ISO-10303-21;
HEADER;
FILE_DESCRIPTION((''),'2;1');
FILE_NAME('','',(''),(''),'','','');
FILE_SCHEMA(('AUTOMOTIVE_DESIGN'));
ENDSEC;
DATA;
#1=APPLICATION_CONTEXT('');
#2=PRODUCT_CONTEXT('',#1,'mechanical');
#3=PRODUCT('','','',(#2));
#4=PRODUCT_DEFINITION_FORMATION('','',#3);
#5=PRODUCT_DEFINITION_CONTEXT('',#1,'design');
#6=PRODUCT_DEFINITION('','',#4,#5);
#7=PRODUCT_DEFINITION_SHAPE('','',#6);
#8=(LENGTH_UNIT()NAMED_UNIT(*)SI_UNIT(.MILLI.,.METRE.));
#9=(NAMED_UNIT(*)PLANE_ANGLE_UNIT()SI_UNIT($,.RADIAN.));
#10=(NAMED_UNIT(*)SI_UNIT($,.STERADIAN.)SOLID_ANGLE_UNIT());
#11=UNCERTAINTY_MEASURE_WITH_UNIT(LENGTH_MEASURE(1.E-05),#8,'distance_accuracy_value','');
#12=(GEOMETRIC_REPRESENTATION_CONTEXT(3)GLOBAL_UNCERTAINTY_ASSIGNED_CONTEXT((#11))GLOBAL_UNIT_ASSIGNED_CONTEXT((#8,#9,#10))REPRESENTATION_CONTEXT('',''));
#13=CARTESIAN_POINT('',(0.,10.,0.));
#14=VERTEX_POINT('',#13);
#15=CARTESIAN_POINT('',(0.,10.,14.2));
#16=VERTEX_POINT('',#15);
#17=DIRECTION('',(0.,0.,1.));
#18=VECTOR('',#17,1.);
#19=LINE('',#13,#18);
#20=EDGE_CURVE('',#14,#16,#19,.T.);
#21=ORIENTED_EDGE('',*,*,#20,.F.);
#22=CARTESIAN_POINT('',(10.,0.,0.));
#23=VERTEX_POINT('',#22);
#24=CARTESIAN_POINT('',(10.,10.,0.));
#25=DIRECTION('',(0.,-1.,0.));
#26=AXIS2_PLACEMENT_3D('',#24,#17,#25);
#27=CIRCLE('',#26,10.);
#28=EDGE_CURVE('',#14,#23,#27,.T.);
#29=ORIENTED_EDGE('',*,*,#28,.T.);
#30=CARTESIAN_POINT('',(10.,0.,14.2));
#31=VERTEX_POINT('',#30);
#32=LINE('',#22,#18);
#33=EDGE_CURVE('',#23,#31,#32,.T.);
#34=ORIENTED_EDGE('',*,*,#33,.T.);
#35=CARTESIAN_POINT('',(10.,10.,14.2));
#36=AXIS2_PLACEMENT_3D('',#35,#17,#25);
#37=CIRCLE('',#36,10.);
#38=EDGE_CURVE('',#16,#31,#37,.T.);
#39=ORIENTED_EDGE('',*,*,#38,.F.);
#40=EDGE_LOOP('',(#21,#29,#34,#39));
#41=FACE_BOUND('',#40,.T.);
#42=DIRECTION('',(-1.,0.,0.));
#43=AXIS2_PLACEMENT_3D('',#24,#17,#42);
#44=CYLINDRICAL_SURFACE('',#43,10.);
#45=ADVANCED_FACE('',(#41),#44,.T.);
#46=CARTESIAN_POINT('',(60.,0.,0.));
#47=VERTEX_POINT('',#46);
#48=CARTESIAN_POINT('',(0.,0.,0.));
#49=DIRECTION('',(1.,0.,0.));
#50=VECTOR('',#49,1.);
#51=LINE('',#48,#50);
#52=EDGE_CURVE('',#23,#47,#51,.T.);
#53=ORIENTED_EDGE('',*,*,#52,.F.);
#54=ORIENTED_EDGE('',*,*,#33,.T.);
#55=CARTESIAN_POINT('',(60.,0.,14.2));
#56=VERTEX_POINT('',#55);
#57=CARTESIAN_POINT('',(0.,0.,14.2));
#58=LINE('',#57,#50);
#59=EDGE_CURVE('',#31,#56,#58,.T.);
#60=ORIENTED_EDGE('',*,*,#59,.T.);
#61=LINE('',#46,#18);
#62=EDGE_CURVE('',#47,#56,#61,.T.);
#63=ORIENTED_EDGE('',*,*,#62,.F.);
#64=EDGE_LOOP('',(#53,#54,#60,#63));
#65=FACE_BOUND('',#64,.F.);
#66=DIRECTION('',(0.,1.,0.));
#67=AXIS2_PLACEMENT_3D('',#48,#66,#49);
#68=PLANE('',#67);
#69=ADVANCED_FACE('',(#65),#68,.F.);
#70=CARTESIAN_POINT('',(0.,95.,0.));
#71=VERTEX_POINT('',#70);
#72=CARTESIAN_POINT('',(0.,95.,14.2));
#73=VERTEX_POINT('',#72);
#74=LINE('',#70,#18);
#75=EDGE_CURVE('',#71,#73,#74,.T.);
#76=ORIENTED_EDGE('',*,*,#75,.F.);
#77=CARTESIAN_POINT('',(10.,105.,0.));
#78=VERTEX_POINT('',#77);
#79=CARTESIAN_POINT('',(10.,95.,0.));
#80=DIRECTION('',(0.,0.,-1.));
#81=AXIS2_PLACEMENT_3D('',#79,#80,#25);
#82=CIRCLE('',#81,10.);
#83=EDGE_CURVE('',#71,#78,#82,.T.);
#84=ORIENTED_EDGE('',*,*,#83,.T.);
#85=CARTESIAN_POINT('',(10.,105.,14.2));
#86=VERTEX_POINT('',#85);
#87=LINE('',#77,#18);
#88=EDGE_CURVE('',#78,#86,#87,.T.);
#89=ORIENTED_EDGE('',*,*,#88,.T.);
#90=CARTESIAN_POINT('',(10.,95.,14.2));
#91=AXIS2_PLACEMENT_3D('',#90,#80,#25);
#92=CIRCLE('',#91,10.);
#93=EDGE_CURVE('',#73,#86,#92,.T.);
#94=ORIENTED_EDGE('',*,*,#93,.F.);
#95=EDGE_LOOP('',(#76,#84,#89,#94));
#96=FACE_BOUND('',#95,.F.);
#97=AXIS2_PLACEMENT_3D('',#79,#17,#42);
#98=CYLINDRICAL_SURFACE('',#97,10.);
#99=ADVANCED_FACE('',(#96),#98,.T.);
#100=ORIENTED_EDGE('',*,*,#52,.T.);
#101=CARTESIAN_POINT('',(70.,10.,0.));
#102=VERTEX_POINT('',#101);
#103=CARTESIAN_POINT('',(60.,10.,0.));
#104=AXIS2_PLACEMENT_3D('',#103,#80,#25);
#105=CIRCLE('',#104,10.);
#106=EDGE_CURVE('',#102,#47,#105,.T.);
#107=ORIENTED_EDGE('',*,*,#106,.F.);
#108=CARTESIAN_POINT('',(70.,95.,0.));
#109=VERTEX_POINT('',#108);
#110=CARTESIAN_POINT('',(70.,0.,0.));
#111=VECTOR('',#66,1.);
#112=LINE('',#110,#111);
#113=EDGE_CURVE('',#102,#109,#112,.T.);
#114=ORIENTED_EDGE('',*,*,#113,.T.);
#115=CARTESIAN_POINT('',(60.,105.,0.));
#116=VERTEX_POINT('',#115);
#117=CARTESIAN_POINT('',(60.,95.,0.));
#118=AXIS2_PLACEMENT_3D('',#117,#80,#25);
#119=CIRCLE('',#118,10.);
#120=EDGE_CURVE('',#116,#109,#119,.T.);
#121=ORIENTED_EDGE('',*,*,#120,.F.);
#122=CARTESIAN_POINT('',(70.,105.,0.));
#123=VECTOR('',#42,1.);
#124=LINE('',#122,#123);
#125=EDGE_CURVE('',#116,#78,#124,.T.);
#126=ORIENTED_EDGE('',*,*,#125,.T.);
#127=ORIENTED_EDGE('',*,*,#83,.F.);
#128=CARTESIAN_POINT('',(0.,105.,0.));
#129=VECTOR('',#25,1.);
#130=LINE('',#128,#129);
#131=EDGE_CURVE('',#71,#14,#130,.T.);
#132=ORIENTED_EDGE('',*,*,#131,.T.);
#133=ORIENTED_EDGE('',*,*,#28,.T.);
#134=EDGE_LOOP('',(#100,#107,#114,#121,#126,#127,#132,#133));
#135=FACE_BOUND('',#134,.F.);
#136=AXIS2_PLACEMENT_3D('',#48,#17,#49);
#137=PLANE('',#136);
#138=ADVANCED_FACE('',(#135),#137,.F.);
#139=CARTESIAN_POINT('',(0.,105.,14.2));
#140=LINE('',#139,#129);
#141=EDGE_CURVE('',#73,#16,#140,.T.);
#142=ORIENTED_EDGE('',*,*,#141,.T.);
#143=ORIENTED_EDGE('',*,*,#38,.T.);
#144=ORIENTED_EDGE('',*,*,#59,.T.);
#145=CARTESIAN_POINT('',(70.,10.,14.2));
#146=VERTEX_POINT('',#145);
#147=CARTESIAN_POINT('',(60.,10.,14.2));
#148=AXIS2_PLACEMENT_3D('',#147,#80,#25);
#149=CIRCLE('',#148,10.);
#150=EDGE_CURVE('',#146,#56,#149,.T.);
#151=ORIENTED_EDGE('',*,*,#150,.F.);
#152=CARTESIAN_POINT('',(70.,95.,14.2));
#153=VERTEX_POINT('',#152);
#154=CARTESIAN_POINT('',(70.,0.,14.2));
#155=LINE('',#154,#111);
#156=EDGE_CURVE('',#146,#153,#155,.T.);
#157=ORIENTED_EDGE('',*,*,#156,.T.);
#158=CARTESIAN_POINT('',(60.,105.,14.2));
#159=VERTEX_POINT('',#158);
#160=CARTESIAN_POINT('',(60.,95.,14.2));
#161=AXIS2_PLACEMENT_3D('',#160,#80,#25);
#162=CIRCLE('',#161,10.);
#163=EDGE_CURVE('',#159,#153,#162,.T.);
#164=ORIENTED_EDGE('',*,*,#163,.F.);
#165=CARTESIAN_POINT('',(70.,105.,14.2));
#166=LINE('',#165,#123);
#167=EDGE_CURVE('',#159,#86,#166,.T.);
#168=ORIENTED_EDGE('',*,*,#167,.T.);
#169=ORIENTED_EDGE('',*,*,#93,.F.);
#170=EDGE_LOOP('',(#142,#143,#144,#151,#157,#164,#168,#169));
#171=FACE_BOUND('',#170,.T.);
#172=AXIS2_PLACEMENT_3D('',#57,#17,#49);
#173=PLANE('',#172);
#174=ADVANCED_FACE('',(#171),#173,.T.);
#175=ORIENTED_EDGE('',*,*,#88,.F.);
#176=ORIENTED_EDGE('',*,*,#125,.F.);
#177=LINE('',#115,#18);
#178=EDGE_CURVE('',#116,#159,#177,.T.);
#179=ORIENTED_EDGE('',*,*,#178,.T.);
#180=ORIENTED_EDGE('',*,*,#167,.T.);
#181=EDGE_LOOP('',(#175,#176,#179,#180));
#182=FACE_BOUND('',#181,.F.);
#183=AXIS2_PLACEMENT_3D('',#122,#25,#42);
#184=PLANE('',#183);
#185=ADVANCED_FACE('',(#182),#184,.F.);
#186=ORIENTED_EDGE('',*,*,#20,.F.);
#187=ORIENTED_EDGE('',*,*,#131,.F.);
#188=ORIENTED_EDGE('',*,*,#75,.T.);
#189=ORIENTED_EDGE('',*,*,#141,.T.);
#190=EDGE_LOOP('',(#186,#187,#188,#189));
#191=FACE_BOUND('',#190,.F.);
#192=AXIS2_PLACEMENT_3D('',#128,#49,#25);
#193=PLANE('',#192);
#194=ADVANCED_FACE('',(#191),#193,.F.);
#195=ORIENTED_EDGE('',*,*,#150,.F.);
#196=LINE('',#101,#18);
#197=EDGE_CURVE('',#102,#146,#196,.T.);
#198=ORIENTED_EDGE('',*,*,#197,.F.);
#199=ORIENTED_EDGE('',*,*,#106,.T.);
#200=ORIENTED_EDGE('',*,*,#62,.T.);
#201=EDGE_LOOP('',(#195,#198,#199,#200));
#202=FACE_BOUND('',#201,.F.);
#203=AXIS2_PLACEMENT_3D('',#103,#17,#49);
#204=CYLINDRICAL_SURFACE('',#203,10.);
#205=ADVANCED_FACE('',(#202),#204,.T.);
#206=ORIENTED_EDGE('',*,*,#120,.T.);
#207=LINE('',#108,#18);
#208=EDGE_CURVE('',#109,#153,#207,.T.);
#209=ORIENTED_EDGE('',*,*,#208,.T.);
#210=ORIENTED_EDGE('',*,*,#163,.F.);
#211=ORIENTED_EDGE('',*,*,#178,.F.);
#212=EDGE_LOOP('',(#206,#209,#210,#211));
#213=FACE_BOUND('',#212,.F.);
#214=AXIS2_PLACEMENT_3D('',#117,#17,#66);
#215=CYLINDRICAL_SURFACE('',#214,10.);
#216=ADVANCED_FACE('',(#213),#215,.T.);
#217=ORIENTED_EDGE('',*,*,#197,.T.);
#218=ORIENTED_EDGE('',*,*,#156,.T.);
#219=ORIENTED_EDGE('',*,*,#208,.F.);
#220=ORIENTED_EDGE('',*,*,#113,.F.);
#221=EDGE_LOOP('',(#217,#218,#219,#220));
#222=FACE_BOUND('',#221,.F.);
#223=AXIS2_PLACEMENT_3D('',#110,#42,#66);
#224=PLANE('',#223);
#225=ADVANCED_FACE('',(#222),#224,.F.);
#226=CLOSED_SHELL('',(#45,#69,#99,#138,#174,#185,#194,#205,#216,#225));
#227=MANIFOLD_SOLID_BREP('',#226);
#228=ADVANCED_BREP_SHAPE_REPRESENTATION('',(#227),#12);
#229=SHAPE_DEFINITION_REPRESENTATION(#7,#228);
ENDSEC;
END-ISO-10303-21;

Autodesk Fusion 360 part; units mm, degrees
sketch "Sketch1" plane through (0, 0, 0) normal (0, 0, 1) x (1, 0, 0)
  line L0 (0, 0) -> (70, 0)
  line L1 (70, 0) -> (70, 105)
  line L2 (70, 105) -> (0, 105)
  line L3 (0, 105) -> (0, 0)
  dimension "d1" = 105
  dimension "d2" = 70
extrude "Extrude1" add sketch "Sketch1" along normal blind 14.2
fillet "Fillet1" radius 10 4 edges at (70, 0, 7.1) (0, 0, 7.1) (70, 105, 7.1) (0, 105, 7.1)
